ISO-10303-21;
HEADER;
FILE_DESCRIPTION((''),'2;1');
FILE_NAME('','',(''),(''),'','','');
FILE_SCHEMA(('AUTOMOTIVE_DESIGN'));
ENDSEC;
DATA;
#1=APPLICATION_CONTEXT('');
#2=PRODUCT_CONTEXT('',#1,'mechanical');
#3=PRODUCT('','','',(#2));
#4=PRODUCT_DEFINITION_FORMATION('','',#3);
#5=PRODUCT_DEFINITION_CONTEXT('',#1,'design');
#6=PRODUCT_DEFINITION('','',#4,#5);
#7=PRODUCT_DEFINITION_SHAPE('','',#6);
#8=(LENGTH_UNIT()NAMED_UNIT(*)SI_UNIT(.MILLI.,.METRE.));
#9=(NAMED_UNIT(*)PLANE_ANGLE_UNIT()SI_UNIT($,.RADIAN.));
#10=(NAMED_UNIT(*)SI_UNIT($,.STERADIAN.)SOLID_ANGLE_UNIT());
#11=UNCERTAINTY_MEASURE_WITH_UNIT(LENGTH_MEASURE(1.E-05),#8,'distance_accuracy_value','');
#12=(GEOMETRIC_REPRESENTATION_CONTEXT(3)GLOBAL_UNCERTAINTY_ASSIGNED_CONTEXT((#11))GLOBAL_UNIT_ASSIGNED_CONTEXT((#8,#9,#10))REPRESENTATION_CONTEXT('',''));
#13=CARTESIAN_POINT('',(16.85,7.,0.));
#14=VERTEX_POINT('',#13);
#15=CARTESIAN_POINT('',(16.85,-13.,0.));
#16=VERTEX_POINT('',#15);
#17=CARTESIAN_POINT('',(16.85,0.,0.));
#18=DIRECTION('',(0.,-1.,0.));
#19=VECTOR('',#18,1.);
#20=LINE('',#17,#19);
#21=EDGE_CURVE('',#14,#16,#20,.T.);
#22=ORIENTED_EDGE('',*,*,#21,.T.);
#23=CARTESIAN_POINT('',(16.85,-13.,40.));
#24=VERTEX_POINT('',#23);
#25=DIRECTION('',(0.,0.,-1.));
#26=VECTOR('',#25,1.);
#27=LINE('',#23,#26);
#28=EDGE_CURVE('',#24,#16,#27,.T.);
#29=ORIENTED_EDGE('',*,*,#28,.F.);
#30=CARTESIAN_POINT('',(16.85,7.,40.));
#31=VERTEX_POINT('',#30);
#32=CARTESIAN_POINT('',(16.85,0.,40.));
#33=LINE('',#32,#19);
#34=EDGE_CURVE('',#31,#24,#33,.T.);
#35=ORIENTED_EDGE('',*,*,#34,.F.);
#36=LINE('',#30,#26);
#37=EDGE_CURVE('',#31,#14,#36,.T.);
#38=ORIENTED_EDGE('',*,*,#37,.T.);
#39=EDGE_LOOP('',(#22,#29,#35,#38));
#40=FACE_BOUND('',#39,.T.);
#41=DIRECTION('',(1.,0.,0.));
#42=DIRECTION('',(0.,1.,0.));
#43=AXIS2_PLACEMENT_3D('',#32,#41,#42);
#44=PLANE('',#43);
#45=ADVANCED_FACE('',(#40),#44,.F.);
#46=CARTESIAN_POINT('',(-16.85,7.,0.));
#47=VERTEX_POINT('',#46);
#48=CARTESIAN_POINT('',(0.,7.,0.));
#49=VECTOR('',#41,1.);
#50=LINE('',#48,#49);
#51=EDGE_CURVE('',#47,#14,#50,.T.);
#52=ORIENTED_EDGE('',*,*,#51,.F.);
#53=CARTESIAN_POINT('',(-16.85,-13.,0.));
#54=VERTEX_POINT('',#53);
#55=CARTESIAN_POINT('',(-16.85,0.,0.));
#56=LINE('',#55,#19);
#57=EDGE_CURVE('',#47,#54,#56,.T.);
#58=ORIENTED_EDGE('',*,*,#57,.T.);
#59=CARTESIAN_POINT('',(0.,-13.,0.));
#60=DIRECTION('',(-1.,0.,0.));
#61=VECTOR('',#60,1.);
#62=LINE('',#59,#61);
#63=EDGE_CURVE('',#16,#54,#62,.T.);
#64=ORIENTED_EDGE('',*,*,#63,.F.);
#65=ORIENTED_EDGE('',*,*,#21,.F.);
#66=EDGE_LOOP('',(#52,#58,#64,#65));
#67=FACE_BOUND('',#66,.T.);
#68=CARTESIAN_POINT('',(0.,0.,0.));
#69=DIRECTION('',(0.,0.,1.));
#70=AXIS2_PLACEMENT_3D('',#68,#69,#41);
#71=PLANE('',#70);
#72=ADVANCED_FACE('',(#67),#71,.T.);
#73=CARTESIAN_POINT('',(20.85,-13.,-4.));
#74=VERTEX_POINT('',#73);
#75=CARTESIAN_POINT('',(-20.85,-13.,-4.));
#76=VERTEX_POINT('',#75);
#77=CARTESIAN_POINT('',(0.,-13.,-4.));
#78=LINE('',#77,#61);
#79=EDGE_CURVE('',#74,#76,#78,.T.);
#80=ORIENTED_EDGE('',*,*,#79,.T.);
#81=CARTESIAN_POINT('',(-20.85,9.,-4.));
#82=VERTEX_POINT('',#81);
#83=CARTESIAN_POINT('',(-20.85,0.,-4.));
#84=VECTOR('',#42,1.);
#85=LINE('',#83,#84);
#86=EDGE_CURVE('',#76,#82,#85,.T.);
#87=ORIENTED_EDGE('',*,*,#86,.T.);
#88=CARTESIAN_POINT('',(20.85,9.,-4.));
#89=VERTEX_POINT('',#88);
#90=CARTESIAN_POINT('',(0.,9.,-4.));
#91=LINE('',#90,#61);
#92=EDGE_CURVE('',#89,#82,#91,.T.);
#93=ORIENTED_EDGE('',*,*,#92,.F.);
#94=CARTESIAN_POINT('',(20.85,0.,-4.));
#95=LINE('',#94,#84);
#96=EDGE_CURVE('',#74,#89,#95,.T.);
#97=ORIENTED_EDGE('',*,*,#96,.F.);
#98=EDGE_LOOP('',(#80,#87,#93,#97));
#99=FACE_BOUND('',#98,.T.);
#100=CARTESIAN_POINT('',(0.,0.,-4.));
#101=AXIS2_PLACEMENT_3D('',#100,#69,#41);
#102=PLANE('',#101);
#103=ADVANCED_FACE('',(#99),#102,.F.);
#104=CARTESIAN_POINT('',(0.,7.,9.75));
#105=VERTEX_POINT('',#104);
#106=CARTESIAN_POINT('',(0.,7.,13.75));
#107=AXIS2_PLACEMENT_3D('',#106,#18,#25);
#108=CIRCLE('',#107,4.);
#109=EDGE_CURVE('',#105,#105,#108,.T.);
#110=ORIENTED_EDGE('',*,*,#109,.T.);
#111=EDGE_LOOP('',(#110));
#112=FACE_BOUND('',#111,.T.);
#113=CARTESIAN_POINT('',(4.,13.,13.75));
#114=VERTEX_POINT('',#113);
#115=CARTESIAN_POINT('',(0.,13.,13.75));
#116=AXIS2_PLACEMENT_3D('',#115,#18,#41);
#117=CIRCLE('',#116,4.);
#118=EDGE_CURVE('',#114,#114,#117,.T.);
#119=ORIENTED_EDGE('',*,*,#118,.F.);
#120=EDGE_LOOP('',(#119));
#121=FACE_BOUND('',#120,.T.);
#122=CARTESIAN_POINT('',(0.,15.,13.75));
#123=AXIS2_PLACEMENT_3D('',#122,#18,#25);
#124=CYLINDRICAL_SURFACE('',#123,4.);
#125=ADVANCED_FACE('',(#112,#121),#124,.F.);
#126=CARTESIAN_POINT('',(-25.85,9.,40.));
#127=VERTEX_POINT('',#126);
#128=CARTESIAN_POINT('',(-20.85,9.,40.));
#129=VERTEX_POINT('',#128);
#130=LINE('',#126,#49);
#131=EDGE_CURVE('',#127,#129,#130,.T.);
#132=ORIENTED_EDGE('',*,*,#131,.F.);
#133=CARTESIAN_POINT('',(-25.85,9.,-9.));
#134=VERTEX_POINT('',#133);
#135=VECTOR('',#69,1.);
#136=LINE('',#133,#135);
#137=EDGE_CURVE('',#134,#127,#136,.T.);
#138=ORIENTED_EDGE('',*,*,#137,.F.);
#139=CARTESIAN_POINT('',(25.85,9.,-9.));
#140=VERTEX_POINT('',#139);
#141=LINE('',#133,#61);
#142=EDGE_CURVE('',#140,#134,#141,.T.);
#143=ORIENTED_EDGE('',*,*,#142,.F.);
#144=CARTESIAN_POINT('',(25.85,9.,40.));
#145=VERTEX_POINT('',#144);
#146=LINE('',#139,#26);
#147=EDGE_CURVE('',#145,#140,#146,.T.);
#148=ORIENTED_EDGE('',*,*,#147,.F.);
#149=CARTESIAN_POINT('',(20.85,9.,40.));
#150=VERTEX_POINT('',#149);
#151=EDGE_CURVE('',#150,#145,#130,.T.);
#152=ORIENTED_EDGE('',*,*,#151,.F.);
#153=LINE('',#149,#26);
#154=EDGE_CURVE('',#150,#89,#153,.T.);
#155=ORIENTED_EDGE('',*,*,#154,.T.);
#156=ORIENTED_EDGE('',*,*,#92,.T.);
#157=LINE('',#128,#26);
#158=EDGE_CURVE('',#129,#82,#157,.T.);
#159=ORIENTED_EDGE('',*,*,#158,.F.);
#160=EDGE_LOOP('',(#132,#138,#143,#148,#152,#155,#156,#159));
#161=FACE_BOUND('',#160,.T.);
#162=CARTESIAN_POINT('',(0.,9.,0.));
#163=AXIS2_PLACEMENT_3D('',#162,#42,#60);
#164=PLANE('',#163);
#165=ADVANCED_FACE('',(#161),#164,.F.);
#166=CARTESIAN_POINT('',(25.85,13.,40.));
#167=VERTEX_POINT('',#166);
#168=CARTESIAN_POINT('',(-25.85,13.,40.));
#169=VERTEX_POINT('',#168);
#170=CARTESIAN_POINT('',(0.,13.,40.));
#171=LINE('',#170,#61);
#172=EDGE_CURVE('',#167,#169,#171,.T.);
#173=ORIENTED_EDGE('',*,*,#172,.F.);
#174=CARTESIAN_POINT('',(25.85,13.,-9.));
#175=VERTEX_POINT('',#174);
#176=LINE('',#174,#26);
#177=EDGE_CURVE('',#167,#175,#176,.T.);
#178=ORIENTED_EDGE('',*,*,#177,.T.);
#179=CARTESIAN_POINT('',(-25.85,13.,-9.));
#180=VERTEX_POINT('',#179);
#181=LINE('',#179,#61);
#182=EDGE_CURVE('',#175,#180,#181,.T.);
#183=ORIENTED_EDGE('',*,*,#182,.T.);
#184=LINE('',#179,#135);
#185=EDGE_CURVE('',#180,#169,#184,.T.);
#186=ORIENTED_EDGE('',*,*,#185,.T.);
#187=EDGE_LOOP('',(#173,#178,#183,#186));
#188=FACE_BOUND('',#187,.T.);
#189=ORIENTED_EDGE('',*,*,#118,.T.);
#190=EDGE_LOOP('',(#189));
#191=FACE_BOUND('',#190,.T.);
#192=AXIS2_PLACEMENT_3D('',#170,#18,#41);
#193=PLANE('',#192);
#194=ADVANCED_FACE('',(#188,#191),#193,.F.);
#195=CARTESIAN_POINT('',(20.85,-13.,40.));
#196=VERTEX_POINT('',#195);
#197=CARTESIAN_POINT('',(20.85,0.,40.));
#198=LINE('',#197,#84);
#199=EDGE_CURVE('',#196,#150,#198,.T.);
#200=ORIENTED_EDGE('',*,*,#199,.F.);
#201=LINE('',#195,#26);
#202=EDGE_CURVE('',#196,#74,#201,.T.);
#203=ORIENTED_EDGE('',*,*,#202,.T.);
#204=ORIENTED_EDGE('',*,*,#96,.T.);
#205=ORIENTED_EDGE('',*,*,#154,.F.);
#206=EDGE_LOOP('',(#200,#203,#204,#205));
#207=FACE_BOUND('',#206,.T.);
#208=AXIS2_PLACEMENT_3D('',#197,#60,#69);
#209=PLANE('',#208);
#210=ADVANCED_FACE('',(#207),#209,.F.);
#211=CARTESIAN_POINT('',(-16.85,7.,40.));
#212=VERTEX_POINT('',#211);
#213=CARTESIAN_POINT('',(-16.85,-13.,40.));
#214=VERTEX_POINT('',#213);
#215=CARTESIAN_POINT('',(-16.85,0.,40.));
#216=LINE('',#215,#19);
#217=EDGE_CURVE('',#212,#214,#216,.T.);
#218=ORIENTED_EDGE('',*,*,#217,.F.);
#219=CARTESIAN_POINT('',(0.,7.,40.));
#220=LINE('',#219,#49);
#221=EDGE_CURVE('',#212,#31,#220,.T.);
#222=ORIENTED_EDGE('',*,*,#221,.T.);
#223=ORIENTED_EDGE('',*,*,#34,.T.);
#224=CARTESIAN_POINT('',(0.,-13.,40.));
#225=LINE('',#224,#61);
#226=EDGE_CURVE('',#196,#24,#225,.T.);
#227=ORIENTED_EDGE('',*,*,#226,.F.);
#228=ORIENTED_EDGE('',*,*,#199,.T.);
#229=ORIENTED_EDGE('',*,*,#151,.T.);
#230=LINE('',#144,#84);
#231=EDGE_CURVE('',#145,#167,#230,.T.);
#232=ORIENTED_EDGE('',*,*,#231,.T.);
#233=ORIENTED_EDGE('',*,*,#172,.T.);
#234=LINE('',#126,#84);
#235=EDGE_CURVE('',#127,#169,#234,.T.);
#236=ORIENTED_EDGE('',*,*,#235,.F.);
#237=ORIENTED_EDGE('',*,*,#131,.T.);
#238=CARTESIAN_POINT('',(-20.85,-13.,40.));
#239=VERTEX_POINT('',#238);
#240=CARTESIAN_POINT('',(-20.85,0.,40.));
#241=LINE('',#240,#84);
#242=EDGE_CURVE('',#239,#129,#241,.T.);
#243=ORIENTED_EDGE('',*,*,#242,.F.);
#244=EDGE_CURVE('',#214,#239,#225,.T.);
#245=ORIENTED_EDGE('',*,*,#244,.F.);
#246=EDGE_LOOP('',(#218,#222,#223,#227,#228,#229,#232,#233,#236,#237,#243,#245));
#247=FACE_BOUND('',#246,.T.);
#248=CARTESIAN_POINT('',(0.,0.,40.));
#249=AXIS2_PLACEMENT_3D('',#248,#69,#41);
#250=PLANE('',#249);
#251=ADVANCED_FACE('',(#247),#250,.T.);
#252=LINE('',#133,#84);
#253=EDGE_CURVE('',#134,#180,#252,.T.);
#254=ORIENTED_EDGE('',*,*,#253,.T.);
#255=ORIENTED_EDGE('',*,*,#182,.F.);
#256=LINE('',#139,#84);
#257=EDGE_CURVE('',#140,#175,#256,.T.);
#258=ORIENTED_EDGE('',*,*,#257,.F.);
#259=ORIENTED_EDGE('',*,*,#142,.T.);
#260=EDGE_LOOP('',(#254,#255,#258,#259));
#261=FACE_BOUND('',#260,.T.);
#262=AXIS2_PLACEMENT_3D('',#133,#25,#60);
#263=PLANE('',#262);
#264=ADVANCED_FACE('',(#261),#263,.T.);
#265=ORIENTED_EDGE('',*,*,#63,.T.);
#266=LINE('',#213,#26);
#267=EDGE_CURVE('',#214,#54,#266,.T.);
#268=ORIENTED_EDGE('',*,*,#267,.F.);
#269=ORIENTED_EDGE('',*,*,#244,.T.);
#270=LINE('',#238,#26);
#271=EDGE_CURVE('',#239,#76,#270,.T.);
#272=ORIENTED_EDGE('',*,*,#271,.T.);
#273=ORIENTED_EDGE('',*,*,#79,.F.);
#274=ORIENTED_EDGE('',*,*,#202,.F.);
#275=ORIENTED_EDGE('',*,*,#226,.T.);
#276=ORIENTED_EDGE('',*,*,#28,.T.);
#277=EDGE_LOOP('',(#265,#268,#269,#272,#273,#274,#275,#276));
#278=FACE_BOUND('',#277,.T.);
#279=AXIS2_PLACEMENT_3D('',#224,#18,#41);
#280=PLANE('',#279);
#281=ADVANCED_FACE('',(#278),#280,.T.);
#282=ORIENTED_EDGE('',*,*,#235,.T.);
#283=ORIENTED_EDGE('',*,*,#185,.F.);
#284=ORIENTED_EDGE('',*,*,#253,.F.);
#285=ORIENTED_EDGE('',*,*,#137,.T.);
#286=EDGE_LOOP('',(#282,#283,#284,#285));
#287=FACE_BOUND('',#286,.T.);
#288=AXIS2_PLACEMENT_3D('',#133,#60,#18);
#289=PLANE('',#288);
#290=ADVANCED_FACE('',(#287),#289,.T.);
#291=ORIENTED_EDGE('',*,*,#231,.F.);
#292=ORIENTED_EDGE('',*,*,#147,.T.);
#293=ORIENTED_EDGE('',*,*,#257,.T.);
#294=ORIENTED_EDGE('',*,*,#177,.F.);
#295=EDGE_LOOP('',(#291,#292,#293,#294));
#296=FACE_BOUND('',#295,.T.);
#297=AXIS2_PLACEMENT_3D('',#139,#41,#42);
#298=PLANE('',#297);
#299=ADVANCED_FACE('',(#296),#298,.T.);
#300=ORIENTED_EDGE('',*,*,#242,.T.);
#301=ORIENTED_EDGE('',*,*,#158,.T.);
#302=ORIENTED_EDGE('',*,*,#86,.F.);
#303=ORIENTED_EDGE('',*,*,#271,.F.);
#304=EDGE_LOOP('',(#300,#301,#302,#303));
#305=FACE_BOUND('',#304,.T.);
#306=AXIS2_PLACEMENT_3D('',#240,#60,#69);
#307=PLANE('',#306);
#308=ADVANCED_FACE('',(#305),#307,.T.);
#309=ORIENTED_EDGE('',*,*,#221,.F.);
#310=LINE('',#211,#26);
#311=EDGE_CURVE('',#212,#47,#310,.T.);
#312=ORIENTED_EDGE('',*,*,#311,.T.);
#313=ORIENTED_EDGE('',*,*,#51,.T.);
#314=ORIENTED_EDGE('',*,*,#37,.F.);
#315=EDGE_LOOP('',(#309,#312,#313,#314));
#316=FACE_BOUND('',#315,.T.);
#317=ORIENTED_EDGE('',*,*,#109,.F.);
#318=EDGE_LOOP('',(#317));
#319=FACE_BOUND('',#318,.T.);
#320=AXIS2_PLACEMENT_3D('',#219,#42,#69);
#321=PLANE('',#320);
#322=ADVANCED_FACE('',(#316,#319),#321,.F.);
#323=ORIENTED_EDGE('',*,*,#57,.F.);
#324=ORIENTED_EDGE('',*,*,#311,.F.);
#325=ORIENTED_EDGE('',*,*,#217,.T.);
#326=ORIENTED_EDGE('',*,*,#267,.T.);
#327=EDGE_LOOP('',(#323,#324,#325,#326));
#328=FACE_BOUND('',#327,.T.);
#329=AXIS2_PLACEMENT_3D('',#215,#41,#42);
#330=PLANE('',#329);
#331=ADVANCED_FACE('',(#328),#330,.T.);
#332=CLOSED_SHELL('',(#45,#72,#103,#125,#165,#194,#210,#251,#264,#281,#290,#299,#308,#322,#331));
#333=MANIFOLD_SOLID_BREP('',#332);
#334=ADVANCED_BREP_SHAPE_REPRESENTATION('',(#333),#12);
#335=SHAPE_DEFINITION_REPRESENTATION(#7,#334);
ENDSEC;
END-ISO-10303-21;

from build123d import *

# Parameters (mm, degrees)
EXTRUDE_1_DEPTH     = 40
SKETCH_1_3_W        = 41.7
SKETCH_1_3_H        = 26
EXTRUDE_2_DEPTH     = 4
SKETCH_2_W          = 51.7
SKETCH_2_H          = 49
EXTRUDE_3_DEPTH     = 4
SKETCH_3_R          = 4
CUT_EXTRUDE_1_DEPTH = 8


with BuildPart() as part:
    # 草图1 → 凸台-拉伸1 (new body)
    with BuildSketch(Plane.XY):
        Polygon((16.85, -13), (20.85, -13), (20.85, 13), (-20.85, 13), (-20.85, -13), (-16.85, -13), (-16.85, 7), (16.85, 7), align=None)
    extrude(amount=EXTRUDE_1_DEPTH)

    # 草图1<3> → 凸台-拉伸2 (add)
    with BuildSketch(Plane.XY):
        Rectangle(SKETCH_1_3_W, SKETCH_1_3_H)
    extrude(amount=-EXTRUDE_2_DEPTH)

    # 草图2 → 凸台-拉伸3 (add)
    with BuildSketch(Plane(origin=(0, 13, 0), x_dir=(1, 0, 0), z_dir=(0, 1, 0))):
        with Locations((0, -15.5)):
            Rectangle(SKETCH_2_W, SKETCH_2_H)
    extrude(amount=-EXTRUDE_3_DEPTH)

    # 草图3 → 切除-拉伸1 (cut)
    with BuildSketch(Plane.XZ.offset(-7)):
        with Locations((0, 13.75)):
            Circle(SKETCH_3_R)
    extrude(amount=-CUT_EXTRUDE_1_DEPTH, mode=Mode.SUBTRACT)


solid = part.part
